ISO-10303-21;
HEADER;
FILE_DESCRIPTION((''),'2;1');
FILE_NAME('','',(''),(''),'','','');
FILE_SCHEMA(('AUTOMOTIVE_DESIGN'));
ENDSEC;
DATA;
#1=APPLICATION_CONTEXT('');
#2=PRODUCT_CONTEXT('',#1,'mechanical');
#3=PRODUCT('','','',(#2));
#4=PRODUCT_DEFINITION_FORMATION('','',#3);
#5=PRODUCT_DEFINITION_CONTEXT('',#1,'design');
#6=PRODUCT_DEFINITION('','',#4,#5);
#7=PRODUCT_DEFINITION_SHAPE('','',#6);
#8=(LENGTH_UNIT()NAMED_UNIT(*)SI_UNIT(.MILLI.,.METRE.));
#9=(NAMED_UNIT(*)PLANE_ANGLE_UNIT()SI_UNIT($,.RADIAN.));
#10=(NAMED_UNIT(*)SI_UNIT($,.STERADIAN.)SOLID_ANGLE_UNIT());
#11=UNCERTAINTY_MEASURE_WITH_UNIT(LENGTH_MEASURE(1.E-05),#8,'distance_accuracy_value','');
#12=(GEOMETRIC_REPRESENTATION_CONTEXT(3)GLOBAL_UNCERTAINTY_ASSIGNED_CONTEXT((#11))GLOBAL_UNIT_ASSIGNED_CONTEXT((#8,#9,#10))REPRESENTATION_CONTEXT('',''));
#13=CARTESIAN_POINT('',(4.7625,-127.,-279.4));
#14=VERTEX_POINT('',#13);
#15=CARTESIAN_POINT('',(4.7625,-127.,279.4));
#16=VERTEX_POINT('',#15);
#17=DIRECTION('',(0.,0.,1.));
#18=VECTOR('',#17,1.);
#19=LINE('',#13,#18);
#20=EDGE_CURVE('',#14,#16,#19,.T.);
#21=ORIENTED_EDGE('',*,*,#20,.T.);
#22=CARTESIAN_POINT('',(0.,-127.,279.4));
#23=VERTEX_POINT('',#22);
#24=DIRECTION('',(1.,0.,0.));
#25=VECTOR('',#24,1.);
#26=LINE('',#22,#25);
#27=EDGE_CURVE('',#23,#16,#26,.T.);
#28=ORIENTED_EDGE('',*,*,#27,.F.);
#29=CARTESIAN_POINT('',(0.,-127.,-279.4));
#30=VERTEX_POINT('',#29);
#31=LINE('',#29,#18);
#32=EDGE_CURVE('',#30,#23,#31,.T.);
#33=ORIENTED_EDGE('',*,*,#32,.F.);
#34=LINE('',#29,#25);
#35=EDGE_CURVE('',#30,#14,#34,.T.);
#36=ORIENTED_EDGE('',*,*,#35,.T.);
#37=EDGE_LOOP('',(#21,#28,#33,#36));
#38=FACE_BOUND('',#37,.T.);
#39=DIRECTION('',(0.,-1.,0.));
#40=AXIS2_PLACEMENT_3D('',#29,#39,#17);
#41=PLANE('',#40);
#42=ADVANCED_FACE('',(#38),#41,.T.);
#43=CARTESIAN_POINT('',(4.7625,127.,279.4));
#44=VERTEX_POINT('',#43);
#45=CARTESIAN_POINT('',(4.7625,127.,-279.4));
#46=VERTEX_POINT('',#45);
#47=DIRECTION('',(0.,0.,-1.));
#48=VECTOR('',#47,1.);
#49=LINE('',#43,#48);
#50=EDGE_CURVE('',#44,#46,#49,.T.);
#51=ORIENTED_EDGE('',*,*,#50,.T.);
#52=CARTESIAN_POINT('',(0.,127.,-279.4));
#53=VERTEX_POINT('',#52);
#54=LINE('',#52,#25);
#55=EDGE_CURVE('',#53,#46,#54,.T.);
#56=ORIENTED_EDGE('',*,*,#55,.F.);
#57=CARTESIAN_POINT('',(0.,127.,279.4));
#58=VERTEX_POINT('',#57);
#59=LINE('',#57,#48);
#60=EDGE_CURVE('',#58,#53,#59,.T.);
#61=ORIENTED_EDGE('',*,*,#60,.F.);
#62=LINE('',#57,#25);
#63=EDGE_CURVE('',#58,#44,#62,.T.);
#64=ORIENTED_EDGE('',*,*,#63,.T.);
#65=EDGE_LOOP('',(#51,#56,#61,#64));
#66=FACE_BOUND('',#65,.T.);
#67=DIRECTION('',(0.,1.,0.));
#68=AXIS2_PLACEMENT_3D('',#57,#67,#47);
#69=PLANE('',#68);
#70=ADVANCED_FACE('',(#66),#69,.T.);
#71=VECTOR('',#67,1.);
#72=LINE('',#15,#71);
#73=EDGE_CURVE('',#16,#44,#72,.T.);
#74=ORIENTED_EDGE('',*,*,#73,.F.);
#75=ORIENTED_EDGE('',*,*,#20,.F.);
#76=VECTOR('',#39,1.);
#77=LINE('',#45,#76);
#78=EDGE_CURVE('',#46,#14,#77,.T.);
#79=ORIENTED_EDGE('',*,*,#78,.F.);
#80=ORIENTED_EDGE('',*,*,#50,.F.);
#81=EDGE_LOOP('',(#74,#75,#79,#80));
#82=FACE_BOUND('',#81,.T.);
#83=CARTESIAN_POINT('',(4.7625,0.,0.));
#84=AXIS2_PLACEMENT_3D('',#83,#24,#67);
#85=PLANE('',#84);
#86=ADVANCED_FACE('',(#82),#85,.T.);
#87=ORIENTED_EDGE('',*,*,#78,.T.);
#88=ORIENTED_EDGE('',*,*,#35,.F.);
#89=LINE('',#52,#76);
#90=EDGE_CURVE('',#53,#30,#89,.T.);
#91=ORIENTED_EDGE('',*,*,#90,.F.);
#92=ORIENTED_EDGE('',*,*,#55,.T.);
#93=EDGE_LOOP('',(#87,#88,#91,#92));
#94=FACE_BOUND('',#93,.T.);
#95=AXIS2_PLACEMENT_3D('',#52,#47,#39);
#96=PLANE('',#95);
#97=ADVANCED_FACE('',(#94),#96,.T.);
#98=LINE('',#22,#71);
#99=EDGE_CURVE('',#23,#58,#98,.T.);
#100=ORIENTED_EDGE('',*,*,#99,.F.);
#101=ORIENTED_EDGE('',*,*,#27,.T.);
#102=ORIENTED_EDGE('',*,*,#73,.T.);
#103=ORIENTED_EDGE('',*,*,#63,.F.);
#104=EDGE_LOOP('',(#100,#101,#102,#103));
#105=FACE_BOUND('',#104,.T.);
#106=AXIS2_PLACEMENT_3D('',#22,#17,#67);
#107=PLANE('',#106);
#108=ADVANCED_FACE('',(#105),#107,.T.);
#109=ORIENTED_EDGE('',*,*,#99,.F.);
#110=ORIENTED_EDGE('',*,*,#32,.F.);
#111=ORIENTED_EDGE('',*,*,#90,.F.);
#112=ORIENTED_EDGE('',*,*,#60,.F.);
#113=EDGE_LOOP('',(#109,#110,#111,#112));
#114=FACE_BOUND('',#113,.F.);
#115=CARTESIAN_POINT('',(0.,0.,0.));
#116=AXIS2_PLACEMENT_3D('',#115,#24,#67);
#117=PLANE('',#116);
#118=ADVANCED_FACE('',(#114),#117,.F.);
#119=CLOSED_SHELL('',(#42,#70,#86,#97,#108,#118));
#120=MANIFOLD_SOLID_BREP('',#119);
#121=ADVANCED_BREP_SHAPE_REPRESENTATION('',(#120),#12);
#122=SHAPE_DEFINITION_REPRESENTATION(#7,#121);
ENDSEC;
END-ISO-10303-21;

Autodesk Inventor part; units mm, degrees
ref_plane "YZ Plane" through (0, 0, 0) normal (1, 0, 0) x (0, 1, 0)
ref_plane "XZ Plane" through (0, 0, 0) normal (0, 1, 0) x (-1, 0, 0)
ref_plane "XY Plane" through (0, 0, 0) normal (0, 0, 1) x (1, 0, 0)
sketch "Sketch1" plane through (0, 0, 0) normal (1, 0, 0) x (0, 1, 0)
  line L0 (-127, 279.4) -> (127, 279.4)
  line L1 (127, 279.4) -> (127, -279.4)
  line L2 (127, -279.4) -> (-127, -279.4)
  line L3 (-127, -279.4) -> (-127, 279.4)
  line L4 (-127, 279.4) -> (127, -279.4) construction
  line L5 (127, 279.4) -> (-127, -279.4) construction
  point P0 (0, 0)
  dimension "d0" = 558.8
  dimension "d1" = 254
extrude "Plate1" add sketch "Sketch1" along normal blind 4.7625
equation "\"BendRadius\" = Thickness"
equation "\"BendReliefWidth\" = Thickness"
equation "\"BendReliefDepth\" = 0.5 * Thickness"
equation "\"CornerReliefSize\" = 4 * Thickness"
equation "\"MinimumRemnant\" = 2 * Thickness"
equation "\"TransitionRadius\" = BendRadius"
equation "\"JacobiRadiusSize\" = Thickness"
equation "\"GapSize\" = Thickness"
equation "\"d2\" = BendRadius"
equation "\"Thickness\" = 4.7625"
properties part number "FrontPlow" material "Steel, Mild"
